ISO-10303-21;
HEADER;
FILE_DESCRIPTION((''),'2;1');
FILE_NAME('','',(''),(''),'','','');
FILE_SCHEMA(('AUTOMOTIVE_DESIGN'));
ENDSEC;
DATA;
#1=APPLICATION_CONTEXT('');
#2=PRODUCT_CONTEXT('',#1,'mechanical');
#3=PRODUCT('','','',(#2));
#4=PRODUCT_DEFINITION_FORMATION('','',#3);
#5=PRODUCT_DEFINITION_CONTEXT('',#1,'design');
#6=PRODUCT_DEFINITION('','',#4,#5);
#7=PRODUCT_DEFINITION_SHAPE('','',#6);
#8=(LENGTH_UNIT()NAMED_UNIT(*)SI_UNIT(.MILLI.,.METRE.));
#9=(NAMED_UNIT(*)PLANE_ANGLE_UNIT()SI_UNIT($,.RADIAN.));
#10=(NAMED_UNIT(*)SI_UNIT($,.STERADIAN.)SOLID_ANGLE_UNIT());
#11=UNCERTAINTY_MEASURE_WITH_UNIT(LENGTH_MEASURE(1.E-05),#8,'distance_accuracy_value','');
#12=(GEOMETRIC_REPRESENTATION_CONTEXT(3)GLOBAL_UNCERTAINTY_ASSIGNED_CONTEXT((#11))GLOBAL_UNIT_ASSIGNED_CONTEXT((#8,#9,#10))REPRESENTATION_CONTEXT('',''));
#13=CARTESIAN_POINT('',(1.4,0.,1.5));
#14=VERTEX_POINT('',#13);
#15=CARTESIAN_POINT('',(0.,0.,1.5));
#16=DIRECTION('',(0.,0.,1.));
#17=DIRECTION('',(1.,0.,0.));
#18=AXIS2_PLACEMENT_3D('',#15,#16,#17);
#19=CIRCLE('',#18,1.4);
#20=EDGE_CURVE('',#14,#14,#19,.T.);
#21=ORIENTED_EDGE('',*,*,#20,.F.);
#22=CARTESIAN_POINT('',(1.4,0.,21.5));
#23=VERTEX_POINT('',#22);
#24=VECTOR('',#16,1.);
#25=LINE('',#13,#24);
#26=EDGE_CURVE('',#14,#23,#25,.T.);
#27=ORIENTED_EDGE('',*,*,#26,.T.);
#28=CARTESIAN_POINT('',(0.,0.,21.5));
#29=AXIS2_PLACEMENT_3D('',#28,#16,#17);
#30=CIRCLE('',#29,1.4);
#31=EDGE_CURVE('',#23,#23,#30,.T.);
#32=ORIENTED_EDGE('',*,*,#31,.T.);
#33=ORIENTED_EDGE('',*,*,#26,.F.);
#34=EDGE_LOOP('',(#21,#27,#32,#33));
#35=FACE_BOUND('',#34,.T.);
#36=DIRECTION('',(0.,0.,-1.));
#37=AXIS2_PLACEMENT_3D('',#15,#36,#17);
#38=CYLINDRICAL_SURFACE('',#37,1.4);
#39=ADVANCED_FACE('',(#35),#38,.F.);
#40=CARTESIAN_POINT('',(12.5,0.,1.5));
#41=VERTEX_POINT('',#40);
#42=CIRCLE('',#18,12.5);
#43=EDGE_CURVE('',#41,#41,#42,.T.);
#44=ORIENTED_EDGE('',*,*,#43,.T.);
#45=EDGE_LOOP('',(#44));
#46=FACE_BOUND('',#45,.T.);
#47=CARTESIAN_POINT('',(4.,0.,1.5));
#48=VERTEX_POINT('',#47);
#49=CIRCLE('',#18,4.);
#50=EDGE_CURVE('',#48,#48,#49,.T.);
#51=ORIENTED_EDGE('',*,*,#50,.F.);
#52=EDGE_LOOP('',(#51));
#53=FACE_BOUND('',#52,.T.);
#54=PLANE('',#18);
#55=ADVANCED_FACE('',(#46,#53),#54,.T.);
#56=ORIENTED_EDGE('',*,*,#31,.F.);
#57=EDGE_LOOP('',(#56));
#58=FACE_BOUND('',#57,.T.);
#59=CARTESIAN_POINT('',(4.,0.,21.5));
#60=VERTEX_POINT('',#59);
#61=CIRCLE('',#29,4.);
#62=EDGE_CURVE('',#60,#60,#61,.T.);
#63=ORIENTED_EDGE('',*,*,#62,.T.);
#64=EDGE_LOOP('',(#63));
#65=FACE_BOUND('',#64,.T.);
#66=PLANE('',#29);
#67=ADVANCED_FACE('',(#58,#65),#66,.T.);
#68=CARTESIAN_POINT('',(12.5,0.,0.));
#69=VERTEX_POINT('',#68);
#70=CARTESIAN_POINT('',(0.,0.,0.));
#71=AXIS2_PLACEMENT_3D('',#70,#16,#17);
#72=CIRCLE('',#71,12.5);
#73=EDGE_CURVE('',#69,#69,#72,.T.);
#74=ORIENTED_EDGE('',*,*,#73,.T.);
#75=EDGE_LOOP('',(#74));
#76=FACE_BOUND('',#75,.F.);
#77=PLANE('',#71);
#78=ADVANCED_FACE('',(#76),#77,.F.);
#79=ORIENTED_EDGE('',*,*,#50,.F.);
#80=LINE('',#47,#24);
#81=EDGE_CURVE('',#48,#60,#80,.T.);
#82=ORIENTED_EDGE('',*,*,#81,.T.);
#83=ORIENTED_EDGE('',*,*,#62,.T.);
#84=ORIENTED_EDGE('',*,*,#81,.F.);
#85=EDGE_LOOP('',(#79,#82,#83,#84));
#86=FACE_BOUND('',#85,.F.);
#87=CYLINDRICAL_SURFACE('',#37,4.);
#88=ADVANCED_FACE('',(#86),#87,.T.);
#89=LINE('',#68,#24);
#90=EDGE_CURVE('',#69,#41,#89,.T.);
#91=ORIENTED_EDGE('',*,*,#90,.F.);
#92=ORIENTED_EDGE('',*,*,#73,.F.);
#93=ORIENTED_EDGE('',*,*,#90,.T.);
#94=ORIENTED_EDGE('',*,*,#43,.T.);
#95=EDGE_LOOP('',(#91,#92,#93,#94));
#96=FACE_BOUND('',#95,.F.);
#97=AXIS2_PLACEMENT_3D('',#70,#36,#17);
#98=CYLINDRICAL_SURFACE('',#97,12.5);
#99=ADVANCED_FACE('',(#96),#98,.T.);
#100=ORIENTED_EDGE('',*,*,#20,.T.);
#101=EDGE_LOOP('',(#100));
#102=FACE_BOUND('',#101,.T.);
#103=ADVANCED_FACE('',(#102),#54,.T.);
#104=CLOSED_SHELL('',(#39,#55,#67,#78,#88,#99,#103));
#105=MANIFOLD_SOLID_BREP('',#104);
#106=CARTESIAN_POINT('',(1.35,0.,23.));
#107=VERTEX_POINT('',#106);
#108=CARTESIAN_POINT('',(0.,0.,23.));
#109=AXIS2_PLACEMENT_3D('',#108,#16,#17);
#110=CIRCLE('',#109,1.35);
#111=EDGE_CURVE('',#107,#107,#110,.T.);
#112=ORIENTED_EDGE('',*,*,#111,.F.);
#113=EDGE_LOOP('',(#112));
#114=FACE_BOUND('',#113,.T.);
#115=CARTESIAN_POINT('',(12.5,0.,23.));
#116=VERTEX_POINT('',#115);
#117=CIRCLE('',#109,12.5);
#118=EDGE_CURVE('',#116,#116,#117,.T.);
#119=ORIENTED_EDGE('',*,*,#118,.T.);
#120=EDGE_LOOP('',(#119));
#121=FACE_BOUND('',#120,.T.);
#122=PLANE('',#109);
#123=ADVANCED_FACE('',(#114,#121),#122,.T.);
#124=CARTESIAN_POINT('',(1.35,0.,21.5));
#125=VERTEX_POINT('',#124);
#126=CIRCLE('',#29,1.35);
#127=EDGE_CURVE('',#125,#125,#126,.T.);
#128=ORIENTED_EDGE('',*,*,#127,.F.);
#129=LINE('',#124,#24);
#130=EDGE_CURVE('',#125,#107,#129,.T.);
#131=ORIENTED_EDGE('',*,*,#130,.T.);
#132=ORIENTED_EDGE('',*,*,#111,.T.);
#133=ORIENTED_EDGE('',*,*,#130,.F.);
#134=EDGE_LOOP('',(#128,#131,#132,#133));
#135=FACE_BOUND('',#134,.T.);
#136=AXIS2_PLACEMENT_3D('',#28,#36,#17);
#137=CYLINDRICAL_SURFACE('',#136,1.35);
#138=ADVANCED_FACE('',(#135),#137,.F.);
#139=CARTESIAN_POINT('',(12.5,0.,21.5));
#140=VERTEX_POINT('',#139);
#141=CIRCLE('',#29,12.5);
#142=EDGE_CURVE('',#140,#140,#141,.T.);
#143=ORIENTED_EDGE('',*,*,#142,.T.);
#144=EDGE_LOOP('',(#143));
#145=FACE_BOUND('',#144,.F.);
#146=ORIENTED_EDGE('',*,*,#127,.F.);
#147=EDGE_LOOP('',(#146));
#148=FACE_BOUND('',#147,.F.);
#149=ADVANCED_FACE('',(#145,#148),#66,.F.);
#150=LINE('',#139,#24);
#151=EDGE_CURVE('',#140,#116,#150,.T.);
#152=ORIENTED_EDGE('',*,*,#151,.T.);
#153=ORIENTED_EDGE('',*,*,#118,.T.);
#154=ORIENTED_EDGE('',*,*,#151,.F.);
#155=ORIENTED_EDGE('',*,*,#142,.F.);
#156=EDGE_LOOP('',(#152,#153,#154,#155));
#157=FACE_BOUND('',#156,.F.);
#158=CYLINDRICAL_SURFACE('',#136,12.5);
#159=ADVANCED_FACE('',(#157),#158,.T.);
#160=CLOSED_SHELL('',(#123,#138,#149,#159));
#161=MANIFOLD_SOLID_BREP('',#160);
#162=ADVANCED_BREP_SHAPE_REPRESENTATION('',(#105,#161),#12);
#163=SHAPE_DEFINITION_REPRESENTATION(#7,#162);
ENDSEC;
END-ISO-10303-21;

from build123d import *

# Parameters (mm, degrees)
F0_R     = 12.5
F1_DEPTH = 1.5
F2_R     = 4
F2_R_2   = 1.4
F3_DEPTH = 20
F4_R     = 12.5
F4_R_2   = 1.35
F5_DEPTH = 1.5


with BuildPart() as f1:
    # F0 (on Top) → F1 (new body)
    with BuildSketch(Plane.XY):
        Circle(F0_R)
    extrude(amount=F1_DEPTH)

    # F2 (on face) → F3 (join)
    with BuildSketch(Plane.XY.offset(1.5)):
        Circle(F2_R)
        Circle(F2_R_2, mode=Mode.SUBTRACT)
    extrude(amount=F3_DEPTH)


with BuildPart() as f5:
    # F4 (on face) → F5 (new body)
    with BuildSketch(Plane.XY.offset(21.5)):
        Circle(F4_R)
        Circle(F4_R_2, mode=Mode.SUBTRACT)
    extrude(amount=F5_DEPTH)


solid = Compound([f1.part, f5.part])
